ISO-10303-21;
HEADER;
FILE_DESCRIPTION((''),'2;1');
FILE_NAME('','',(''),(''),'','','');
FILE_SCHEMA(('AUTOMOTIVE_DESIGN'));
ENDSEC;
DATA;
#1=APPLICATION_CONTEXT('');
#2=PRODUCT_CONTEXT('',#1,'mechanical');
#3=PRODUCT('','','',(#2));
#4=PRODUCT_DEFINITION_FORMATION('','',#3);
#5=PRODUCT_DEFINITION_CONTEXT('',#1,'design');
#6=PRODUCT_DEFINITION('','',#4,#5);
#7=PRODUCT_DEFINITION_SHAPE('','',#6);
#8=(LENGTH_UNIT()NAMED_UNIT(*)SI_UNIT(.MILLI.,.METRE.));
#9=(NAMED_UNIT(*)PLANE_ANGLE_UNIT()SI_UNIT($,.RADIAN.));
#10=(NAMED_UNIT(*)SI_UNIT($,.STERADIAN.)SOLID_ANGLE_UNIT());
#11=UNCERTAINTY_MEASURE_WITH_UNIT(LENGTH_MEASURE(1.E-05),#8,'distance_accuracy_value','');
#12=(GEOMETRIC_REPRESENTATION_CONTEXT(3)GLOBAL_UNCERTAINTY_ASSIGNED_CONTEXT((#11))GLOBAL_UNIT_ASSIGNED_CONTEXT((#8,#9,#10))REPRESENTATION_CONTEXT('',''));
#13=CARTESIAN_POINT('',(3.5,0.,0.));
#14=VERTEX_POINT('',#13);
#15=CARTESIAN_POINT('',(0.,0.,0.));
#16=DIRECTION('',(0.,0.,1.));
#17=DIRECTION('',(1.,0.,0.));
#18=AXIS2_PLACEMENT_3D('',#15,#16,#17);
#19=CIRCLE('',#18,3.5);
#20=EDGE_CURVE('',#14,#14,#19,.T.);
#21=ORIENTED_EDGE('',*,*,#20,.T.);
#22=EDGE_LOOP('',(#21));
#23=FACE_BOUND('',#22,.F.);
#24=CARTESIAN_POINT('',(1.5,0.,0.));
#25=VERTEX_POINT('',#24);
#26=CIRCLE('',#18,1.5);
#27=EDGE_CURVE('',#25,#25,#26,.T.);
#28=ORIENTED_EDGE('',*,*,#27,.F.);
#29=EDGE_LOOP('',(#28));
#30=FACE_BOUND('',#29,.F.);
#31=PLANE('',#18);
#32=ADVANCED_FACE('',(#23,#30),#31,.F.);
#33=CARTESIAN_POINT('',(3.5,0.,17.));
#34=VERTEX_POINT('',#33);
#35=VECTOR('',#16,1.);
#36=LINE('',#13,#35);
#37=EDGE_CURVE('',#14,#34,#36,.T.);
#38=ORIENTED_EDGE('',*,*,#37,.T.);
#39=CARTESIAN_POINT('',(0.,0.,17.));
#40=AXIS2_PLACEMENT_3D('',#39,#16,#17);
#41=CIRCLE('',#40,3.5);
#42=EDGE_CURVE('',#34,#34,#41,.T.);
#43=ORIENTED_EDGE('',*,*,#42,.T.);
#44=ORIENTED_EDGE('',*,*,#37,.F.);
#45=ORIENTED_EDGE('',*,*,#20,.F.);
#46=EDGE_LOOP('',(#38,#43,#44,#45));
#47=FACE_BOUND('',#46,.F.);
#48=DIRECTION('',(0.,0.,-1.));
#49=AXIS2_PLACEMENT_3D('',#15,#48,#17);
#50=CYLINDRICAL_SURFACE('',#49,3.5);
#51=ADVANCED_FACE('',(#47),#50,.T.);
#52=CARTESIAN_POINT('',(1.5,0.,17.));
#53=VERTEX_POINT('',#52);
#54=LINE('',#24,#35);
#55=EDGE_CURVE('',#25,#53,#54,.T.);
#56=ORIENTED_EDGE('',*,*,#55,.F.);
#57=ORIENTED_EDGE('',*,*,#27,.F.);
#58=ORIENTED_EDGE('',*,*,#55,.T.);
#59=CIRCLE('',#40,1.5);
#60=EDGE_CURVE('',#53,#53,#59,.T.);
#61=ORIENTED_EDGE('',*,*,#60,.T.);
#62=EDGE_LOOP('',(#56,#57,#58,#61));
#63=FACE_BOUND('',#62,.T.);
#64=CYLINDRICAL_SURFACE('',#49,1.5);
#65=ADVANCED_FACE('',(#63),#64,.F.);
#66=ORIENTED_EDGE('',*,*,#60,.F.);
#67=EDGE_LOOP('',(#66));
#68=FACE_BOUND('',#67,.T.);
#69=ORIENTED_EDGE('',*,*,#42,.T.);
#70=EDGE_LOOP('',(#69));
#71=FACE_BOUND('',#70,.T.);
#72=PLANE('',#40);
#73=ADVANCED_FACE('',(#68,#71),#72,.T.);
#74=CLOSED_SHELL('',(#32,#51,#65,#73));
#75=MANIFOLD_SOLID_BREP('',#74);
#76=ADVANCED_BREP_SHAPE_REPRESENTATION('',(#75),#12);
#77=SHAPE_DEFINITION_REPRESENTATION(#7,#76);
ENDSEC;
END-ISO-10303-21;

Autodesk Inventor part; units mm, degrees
ref_plane "YZ Plane" through (0, 0, 0) normal (1, 0, 0) x (0, 1, 0)
ref_plane "XZ Plane" through (0, 0, 0) normal (0, 1, 0) x (-1, 0, 0)
ref_plane "XY Plane" through (0, 0, 0) normal (0, 0, 1) x (1, 0, 0)
sketch "Sketch1" plane through (0, 0, 0) normal (0, 0, 1) x (1, 0, 0)
  circle A0 centre (0, 0) radius 1.5
  circle A1 centre (0, 0) radius 3.5
  dimension "d0" = 3
  dimension "d1" = 2
extrude "Extrusion1" add sketch "Sketch1" along normal blind 17
properties part number "3DP_PLA_Test_tube_array_bottom_spacer" material "ABS Plastic"
